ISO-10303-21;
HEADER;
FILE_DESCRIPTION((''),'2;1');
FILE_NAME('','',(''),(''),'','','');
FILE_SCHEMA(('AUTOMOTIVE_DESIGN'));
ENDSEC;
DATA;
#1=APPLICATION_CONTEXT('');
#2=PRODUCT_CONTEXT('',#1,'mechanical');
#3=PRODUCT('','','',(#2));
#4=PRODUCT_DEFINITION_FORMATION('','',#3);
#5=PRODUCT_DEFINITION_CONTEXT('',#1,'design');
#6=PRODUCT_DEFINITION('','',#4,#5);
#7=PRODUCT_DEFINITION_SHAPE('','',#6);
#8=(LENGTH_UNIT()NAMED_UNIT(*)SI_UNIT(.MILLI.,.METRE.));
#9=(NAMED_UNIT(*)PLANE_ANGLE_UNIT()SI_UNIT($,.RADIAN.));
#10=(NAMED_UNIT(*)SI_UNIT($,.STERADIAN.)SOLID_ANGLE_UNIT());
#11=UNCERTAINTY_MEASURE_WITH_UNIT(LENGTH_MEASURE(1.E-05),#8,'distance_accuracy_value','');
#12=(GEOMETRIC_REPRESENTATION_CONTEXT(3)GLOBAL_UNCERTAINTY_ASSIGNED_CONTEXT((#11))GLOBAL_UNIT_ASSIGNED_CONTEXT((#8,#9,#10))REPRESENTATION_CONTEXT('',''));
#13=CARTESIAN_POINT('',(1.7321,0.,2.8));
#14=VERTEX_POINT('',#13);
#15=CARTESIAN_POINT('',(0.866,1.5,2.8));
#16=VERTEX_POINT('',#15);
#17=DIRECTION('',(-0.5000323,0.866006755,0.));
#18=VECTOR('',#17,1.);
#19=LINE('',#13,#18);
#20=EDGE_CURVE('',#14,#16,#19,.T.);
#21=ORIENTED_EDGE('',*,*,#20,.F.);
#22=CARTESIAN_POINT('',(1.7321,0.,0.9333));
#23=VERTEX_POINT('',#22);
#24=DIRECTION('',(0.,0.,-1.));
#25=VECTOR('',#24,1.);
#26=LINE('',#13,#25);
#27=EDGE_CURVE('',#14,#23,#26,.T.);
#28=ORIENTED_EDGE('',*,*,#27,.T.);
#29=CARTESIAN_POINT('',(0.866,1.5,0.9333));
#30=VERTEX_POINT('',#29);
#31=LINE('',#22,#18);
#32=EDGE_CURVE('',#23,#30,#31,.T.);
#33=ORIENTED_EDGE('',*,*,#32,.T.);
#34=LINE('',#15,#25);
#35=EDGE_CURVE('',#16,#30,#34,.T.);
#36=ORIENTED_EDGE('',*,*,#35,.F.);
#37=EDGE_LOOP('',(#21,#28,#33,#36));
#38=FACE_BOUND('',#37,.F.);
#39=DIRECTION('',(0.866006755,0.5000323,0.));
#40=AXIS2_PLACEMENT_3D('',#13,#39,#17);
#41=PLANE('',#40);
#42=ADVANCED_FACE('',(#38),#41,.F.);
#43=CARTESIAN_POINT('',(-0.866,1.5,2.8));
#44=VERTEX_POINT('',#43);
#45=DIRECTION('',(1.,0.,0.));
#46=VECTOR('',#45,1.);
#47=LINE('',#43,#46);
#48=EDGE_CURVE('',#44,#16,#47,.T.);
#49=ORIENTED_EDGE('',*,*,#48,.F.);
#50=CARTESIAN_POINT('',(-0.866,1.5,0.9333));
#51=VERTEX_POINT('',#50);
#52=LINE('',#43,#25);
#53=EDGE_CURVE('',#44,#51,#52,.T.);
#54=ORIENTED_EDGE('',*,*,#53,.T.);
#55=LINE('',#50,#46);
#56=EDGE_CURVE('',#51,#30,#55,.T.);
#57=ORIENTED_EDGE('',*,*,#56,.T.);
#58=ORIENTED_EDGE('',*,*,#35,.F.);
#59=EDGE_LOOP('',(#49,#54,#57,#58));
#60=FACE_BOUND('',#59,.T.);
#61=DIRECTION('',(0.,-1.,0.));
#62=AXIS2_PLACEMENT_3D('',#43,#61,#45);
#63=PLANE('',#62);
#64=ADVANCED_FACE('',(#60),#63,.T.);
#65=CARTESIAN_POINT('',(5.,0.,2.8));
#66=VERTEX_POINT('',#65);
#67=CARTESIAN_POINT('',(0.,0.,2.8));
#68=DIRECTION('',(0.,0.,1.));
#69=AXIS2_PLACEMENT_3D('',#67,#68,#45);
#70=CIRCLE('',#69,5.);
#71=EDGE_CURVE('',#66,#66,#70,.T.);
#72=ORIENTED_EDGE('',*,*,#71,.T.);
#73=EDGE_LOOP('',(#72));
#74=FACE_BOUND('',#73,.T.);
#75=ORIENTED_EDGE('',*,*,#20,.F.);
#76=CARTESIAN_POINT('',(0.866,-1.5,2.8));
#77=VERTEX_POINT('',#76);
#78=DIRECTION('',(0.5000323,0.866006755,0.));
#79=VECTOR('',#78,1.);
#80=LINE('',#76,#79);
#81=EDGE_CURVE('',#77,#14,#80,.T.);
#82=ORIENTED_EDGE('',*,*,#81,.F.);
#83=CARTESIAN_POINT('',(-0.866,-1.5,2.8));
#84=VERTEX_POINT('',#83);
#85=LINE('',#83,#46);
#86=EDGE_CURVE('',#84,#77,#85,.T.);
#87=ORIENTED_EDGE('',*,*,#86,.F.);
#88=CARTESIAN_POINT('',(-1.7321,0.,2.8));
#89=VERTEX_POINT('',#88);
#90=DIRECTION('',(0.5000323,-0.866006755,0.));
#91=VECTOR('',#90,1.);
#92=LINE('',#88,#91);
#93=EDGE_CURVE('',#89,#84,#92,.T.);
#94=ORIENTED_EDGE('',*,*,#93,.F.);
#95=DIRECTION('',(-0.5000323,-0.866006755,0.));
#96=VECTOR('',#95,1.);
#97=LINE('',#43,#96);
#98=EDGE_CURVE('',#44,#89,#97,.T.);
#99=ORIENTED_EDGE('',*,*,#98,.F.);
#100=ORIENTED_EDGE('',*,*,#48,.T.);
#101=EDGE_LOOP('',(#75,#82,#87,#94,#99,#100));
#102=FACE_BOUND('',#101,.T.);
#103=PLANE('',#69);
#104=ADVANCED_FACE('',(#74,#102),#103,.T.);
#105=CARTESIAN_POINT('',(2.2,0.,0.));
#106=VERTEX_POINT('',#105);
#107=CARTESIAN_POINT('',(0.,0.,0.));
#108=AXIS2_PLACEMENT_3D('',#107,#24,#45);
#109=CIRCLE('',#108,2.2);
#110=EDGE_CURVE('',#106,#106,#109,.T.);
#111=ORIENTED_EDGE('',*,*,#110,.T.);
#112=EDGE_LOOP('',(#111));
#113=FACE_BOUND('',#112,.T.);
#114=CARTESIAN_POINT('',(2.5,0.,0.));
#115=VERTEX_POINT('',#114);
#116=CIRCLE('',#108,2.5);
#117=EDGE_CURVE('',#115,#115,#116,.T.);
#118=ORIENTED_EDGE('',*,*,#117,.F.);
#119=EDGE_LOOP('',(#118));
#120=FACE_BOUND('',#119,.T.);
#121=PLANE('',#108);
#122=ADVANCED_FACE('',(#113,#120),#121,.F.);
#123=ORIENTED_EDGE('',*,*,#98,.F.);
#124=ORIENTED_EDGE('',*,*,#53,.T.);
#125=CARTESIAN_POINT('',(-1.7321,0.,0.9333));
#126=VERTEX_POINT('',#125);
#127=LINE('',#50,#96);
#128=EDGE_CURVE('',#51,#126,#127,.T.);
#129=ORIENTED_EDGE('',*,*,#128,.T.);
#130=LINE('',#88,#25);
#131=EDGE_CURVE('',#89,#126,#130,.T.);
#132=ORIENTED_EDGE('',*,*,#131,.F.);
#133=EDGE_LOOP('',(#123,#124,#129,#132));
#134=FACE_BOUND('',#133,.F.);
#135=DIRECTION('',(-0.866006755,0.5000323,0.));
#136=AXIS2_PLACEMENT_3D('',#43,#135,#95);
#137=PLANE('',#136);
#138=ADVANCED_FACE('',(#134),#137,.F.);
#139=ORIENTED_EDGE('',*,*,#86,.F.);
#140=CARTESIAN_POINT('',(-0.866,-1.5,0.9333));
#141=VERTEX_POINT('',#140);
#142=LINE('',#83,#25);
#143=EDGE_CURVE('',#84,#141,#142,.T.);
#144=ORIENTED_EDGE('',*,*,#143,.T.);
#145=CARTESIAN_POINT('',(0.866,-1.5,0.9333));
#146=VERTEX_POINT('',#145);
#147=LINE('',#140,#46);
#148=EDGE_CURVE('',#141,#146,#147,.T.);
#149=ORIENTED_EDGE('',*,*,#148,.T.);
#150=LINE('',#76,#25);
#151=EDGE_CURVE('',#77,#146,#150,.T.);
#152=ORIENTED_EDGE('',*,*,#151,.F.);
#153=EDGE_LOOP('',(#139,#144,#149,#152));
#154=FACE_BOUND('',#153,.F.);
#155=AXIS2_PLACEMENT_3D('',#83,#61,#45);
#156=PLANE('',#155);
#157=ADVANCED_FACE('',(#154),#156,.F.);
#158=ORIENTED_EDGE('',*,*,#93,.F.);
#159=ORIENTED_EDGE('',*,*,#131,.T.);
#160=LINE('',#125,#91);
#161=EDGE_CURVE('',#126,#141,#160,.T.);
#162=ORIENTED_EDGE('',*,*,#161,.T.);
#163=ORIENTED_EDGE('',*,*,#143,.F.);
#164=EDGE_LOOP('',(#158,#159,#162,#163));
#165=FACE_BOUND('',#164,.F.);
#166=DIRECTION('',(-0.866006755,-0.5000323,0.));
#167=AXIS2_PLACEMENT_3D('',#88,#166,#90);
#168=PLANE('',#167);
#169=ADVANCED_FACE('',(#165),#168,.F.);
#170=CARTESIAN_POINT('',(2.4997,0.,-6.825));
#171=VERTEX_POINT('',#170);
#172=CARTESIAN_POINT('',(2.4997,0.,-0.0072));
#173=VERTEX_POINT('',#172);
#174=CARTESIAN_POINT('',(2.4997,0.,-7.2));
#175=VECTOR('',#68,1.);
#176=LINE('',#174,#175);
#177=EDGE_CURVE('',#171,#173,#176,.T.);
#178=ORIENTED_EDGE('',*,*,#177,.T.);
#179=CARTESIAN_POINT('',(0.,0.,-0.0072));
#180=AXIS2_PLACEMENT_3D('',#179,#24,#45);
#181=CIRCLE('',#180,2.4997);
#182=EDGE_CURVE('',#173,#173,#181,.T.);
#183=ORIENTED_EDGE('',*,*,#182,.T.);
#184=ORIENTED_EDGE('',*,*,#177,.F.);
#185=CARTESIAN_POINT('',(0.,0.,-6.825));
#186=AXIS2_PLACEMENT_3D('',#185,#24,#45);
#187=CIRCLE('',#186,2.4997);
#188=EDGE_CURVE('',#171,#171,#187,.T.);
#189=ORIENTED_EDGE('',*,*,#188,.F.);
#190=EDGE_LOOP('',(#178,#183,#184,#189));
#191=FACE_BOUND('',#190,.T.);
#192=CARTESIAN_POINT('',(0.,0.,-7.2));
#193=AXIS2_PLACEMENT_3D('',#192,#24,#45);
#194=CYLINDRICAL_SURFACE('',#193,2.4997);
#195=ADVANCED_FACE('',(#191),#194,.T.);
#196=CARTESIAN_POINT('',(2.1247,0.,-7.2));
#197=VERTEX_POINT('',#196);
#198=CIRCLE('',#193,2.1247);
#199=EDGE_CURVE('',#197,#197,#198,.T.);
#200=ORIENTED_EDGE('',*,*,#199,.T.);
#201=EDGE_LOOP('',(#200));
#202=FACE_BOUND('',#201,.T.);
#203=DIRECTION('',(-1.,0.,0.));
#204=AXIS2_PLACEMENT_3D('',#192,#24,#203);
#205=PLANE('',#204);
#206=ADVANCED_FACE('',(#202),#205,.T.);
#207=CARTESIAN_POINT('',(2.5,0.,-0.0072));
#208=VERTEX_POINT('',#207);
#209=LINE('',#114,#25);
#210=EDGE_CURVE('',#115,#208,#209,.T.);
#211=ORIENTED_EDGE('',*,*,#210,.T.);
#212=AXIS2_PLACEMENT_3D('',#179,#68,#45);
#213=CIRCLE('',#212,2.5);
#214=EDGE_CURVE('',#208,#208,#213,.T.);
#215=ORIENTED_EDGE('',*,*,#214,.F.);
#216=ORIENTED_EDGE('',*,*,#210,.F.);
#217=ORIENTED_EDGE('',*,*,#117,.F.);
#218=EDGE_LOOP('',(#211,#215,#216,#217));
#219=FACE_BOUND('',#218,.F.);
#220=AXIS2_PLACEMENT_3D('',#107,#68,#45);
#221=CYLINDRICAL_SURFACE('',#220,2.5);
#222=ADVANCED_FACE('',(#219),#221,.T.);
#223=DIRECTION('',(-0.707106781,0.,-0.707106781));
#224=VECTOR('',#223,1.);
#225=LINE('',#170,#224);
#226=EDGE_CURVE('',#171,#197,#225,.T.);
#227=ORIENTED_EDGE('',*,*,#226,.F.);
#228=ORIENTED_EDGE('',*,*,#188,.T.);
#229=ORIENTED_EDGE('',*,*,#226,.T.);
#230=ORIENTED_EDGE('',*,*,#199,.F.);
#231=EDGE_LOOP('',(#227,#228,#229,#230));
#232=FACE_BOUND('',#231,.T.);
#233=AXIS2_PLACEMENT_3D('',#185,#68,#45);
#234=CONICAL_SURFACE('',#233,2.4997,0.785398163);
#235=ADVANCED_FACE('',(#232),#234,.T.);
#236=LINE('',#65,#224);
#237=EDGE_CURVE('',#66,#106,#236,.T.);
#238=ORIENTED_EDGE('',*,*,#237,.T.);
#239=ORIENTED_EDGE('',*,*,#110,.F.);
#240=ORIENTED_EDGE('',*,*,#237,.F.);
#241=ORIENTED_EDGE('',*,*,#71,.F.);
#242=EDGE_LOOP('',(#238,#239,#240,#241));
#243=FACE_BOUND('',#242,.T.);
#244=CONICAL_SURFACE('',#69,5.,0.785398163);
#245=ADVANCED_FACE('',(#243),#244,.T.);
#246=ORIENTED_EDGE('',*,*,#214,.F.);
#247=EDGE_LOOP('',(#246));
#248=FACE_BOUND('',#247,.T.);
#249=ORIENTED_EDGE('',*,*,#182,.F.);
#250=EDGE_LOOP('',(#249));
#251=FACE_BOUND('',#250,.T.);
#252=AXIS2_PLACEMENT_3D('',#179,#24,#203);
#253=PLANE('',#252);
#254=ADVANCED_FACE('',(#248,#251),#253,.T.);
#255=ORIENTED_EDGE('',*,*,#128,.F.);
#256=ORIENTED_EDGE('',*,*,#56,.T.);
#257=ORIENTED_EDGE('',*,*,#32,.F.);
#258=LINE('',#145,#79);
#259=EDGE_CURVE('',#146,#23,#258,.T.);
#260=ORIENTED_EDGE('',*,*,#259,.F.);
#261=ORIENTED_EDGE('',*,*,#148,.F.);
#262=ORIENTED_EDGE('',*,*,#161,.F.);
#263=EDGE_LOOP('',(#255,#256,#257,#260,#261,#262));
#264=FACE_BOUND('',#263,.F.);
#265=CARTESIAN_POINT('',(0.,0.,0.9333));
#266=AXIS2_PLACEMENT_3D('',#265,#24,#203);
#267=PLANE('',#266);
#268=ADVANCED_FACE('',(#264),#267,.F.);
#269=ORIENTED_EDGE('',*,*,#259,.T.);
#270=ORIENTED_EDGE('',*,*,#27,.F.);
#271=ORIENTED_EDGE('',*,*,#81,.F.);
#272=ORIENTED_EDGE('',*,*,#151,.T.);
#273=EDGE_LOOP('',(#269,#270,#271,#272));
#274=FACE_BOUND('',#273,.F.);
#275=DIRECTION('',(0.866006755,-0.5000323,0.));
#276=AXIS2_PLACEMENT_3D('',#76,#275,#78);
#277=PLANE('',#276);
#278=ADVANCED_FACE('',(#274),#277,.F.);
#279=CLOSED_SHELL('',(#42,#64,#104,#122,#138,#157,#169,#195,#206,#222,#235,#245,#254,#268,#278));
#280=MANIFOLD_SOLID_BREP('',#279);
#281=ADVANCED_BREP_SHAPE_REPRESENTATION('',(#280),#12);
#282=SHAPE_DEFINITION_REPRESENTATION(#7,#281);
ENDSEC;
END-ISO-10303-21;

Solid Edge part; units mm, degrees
sketch "Sketch1" plane through (0, 0, 0) normal (0, 0, 1) x (1, 0, 0)
  circle A0 centre (0, 0) radius 5
  dimension "D1" = 10
extrude "Protrusion1" add sketch "Sketch1" along normal blind 2.8
sketch "Sketch2" plane through (0, 0, 0) normal (0, 0, -1) x (1, 0, 0)
  circle A0 centre (0, 0) radius 2.5
extrude "Protrusion2" add sketch "Sketch2" along normal blind 7.2
sketch "Sketch3" plane through (0, 0, -7.2) normal (0, 0, -1) x (1, 0, 0)
  circle A0 centre (0, 0) radius 2.4997
extrude "Cutout1" cut sketch "Sketch3" against normal blind 7.1928 flip side to cut
chamfer "Chamfer_1" distance 0.375 angle 45 1 edges at (-2.4997, 0, -7.2)
sketch "Sketch4" plane through (0, 0, 2.8) normal (0, 0, 1) x (1, 0, 0)
  line L0 (-0.866, 1.5) -> (0.866, 1.5)
  line L1 (1.7321, 0) -> (0.866, 1.5)
  line L2 (0.866, -1.5) -> (1.7321, 0)
  line L3 (-0.866, -1.5) -> (0.866, -1.5)
  line L4 (-1.7321, 0) -> (-0.866, -1.5)
  line L5 (-0.866, 1.5) -> (-1.7321, 0)
  dimension "D1" = 3
extrude "Cutout2" cut sketch "Sketch4" against normal blind 1.8667
sketch "Sketch5" plane through (0, 0, 0) normal (0, -1, 0) x (1, 0, 0)
  line L0 (5, 2.8) -> (2.2, 0)
  line L1 (2.2, 0) -> (5, 0)
  line L2 (5, 0) -> (5, 2.8)
revolve "RevolvedCutout1" cut sketch "Sketch5" angle 360 about axis through (0, 0, 14.0017) along (0, 0, -1)
properties part number "24101754"
